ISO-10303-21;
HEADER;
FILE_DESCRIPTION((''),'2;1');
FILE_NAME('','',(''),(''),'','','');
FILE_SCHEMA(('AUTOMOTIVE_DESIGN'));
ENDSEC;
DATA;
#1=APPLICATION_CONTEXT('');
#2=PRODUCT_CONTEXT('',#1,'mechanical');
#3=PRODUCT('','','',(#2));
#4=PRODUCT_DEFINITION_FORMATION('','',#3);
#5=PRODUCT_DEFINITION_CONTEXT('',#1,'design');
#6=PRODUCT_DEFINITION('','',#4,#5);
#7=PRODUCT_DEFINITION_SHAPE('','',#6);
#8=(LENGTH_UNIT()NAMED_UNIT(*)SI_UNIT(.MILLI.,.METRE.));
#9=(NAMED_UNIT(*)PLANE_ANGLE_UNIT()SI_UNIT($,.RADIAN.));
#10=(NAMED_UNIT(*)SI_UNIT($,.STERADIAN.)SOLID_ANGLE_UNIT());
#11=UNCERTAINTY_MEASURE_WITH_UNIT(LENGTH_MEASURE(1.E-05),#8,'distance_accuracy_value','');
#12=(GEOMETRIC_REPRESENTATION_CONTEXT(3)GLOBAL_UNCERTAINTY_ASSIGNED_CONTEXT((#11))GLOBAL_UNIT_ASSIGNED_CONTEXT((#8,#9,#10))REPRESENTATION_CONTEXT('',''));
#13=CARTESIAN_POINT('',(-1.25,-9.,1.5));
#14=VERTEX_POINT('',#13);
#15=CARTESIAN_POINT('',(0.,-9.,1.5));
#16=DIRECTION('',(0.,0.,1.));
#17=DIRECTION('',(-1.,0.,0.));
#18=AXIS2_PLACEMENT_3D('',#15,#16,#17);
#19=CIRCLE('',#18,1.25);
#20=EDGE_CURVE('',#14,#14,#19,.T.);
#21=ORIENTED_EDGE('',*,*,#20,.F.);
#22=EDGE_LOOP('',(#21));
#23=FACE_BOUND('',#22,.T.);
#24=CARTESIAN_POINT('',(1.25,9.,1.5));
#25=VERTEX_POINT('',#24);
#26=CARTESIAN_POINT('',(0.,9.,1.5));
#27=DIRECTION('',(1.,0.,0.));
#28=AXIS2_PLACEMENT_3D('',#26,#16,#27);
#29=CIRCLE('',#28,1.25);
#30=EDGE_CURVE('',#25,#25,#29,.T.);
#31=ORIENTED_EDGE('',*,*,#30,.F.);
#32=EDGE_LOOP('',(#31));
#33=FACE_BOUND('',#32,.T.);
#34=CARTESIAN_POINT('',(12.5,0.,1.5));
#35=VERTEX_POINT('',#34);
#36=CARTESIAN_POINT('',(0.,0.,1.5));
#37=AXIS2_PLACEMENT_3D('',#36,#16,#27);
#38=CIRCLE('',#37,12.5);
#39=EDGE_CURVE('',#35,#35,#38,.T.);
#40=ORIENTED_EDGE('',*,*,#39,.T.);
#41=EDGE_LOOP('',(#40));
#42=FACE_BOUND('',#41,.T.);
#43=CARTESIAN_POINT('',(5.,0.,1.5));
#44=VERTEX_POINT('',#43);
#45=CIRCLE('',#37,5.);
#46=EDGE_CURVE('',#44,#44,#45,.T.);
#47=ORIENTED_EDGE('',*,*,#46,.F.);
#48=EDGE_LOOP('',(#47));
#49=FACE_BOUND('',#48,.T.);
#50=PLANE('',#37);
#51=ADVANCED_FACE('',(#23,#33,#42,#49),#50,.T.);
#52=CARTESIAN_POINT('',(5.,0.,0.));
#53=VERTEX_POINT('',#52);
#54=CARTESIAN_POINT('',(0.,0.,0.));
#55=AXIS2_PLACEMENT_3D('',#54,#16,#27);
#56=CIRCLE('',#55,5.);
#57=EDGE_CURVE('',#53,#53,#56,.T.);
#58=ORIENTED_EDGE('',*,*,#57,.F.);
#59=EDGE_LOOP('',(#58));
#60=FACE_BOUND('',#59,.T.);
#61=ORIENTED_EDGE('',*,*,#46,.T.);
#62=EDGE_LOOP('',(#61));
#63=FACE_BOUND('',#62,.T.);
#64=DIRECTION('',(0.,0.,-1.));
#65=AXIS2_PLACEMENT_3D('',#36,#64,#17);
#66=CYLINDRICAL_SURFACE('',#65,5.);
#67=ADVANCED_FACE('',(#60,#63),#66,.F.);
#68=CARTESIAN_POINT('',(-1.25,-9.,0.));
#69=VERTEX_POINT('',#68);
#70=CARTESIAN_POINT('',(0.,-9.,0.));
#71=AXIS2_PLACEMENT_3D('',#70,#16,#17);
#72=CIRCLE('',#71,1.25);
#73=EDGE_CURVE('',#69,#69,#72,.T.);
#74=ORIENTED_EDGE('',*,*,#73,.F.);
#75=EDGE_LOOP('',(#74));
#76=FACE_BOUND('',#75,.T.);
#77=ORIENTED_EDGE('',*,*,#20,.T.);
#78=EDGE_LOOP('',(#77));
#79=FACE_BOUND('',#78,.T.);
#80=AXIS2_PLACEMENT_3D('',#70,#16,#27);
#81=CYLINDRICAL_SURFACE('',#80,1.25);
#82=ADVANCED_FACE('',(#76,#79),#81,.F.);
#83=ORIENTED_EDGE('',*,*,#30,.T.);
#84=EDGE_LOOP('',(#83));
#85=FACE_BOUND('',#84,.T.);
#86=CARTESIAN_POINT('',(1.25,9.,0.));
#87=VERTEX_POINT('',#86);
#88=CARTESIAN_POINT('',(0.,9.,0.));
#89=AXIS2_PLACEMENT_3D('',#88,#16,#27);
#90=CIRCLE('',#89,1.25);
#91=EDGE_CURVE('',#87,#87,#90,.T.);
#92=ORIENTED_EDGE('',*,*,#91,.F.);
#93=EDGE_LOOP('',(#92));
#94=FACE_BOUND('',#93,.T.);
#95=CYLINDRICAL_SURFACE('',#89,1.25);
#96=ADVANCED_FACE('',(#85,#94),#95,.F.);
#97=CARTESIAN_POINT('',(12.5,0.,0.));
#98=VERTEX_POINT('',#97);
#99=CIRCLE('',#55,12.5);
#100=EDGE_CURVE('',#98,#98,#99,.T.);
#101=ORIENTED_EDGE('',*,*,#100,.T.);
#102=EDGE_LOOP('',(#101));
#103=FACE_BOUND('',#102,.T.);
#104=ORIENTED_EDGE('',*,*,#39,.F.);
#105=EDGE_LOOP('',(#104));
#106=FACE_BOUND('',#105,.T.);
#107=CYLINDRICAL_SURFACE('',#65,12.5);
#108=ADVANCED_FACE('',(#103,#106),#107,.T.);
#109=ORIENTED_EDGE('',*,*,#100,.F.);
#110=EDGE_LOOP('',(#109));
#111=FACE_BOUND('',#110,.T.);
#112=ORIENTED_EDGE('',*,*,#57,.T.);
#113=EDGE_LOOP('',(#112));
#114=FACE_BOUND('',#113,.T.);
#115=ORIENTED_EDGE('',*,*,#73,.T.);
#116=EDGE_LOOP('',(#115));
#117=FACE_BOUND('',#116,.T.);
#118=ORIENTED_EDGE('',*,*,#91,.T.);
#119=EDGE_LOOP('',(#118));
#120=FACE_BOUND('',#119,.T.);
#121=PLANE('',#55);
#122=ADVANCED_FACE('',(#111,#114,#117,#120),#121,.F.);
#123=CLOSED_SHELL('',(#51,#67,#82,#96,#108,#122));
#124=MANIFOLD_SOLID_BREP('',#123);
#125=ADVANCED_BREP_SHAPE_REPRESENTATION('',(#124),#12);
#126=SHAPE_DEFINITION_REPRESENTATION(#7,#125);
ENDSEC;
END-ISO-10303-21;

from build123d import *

# Parameters (mm, degrees)
CROQUIS1_R              = 12.5
CROQUIS1_R_2            = 5
SALIENTE_EXTRUIR1_DEPTH = 1.5
CROQUIS2_R              = 1.25
CORTAR_EXTRUIR1_DEPTH   = 2.5


with BuildPart() as part:
    # Croquis1 → Saliente-Extruir1 (new body)
    with BuildSketch(Plane.XY):
        Circle(CROQUIS1_R)
        Circle(CROQUIS1_R_2, mode=Mode.SUBTRACT)
    extrude(amount=SALIENTE_EXTRUIR1_DEPTH)

    # Croquis2 → Cortar-Extruir1 (cut, through all)
    with BuildSketch(Plane.XY.offset(1.5)):
        with Locations((0, 9)):
            Circle(CROQUIS2_R)
        with Locations((0, -9)):
            Circle(CROQUIS2_R)
    extrude(amount=-CORTAR_EXTRUIR1_DEPTH, mode=Mode.SUBTRACT)


solid = part.part
